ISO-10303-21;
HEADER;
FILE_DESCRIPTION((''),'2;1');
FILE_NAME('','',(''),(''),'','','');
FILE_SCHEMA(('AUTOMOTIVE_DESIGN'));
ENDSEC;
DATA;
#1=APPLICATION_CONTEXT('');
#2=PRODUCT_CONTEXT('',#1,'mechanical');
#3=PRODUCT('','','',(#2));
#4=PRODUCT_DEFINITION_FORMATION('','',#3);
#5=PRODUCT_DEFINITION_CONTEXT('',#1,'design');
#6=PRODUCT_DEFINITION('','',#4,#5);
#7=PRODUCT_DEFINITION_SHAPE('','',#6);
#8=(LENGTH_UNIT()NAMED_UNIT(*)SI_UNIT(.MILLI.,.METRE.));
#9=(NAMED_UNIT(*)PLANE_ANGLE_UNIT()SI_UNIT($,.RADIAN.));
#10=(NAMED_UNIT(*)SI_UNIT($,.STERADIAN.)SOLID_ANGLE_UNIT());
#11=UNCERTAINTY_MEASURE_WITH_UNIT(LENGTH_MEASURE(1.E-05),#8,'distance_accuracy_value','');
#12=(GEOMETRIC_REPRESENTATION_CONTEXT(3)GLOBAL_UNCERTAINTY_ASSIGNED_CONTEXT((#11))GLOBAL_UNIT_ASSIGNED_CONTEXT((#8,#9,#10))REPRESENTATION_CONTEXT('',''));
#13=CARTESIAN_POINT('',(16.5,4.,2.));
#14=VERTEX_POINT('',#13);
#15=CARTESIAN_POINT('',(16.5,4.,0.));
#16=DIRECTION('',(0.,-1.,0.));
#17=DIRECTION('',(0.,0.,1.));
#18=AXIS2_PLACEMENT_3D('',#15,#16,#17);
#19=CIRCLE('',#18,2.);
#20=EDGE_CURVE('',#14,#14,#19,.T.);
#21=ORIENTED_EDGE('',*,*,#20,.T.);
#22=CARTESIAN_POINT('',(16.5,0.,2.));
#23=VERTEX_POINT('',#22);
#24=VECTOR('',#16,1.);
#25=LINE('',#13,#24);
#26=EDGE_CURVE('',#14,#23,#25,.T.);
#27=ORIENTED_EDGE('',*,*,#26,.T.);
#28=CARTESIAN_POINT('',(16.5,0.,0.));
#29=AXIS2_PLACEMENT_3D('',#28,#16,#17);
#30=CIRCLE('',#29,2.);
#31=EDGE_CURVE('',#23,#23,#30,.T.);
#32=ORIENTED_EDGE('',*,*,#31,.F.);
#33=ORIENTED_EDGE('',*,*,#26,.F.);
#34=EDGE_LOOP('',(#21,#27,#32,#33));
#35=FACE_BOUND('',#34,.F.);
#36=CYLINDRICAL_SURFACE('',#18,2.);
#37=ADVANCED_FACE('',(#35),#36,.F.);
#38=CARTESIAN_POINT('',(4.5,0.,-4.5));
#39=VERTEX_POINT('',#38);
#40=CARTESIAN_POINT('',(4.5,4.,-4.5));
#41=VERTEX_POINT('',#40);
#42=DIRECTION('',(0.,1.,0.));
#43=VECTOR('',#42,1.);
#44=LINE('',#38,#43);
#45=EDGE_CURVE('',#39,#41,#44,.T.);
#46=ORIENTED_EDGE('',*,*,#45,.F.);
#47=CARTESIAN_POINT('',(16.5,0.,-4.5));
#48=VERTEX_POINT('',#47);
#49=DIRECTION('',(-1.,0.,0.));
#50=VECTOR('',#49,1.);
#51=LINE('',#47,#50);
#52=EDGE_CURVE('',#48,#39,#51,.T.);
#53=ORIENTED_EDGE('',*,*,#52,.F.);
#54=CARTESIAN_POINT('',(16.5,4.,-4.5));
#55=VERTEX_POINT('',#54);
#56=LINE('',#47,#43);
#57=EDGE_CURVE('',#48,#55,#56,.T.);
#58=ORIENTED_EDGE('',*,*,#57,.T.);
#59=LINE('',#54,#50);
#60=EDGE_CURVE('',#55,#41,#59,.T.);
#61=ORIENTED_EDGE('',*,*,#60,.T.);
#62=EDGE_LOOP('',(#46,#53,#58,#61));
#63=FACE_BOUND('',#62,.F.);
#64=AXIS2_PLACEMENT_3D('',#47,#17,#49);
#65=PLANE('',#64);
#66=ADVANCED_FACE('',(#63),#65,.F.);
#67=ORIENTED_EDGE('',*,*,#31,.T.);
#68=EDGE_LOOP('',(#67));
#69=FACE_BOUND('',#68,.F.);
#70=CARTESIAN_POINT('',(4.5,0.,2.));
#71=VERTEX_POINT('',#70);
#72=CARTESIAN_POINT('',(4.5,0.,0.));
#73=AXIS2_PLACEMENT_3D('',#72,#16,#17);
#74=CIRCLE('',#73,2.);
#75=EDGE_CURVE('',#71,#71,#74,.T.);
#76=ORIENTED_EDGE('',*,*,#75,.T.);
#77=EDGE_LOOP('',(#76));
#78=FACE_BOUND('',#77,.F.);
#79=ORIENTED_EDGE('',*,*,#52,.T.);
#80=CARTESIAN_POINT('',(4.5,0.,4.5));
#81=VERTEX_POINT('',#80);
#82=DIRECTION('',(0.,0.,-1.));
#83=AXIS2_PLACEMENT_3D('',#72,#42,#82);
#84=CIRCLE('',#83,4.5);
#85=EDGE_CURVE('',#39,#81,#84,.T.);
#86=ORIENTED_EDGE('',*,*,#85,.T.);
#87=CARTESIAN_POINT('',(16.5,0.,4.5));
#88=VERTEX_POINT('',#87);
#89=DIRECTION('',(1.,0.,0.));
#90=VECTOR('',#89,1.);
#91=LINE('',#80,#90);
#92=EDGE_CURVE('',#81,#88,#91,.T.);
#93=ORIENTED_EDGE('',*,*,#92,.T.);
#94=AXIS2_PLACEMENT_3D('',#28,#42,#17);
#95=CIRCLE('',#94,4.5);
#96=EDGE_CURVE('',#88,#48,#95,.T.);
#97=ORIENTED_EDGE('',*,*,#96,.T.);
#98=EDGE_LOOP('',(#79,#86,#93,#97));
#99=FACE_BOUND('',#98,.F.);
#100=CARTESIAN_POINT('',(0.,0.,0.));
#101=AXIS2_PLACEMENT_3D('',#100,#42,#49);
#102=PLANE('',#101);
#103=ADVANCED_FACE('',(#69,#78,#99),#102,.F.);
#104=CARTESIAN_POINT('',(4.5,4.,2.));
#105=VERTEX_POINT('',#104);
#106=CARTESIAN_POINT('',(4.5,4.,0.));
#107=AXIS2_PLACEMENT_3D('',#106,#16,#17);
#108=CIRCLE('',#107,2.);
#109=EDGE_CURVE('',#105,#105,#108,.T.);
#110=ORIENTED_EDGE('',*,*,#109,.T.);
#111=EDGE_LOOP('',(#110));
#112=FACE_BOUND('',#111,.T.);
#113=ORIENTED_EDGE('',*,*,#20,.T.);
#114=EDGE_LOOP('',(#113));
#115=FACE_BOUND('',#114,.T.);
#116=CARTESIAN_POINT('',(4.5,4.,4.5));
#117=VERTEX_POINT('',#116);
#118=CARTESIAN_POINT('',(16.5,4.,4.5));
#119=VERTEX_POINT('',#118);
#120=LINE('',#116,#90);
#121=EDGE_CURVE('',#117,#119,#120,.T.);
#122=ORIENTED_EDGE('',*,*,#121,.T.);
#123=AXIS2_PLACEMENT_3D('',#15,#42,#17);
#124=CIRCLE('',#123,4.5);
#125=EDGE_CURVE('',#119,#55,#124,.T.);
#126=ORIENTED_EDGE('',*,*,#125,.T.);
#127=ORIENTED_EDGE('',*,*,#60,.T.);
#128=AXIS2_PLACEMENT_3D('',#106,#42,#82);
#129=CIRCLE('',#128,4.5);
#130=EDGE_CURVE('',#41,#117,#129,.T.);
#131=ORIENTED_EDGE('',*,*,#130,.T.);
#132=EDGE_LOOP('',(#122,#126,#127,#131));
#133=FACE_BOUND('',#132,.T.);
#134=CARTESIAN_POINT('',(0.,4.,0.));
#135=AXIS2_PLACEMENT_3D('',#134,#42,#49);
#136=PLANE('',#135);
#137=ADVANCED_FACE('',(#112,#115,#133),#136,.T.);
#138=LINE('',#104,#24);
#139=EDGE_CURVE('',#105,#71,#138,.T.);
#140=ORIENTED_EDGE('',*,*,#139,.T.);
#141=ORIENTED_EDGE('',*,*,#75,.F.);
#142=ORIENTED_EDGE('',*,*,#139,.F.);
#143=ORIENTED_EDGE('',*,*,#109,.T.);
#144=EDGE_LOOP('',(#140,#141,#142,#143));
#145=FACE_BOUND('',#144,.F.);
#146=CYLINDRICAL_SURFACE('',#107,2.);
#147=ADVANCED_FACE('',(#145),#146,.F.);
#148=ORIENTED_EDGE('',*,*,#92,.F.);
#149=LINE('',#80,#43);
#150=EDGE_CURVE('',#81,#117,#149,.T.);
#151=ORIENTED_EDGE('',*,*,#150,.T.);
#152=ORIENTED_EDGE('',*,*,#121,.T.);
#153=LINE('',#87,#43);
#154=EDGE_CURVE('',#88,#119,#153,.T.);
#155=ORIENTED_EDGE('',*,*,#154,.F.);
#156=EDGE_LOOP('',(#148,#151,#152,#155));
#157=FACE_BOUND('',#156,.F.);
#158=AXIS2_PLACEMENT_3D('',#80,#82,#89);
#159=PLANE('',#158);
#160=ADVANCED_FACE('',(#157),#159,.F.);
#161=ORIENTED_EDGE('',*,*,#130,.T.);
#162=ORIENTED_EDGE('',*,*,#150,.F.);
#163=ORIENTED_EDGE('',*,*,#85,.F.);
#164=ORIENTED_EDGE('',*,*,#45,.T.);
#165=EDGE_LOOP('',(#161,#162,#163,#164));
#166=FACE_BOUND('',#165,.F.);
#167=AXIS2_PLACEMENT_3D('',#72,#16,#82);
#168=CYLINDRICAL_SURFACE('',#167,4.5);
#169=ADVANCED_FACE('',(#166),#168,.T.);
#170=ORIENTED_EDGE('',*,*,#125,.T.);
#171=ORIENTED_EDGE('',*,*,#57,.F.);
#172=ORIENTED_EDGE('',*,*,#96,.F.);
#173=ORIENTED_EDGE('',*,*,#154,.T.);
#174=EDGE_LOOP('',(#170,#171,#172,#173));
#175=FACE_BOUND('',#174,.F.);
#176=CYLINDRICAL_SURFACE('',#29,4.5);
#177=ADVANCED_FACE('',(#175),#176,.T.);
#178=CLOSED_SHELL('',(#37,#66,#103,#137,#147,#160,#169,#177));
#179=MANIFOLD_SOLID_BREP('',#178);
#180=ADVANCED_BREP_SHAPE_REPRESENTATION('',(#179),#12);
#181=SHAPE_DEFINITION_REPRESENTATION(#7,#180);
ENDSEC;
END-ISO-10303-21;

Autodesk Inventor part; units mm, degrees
ref_plane "YZ Plane" through (0, 0, 0) normal (1, 0, 0) x (0, 1, 0)
ref_plane "XZ Plane" through (0, 0, 0) normal (0, 1, 0) x (-1, 0, 0)
ref_plane "XY Plane" through (0, 0, 0) normal (0, 0, 1) x (1, 0, 0)
sketch "Sketch1" plane through (0, 0, 0) normal (0, 1, 0) x (-1, 0, 0)
  line L0 (0, 0) -> (-21, 0) construction
  line L1 (-4.5, 4.5) -> (-16.5, 4.5)
  line L2 (-16.5, -4.5) -> (-4.5, -4.5)
  arc A0 (-4.5, -4.5) -> (-4.5, 4.5) centre (-4.5, 0) ccw
  arc A1 (-16.5, 4.5) -> (-16.5, -4.5) centre (-16.5, 0) ccw
  point P0 (-10.5, 0)
  dimension "d0" = 9
  dimension "d1" = 21
extrude "Extrusion1" add sketch "Sketch1" along normal blind 4
hole "Hole1" at (4.5, 4, 0) direction (0, -1, 0) diameter 4 end through all
hole "Hole2" at (16.5, 4, 0) direction (0, -1, 0) diameter 4 end through all
properties part number "A8-0015"
